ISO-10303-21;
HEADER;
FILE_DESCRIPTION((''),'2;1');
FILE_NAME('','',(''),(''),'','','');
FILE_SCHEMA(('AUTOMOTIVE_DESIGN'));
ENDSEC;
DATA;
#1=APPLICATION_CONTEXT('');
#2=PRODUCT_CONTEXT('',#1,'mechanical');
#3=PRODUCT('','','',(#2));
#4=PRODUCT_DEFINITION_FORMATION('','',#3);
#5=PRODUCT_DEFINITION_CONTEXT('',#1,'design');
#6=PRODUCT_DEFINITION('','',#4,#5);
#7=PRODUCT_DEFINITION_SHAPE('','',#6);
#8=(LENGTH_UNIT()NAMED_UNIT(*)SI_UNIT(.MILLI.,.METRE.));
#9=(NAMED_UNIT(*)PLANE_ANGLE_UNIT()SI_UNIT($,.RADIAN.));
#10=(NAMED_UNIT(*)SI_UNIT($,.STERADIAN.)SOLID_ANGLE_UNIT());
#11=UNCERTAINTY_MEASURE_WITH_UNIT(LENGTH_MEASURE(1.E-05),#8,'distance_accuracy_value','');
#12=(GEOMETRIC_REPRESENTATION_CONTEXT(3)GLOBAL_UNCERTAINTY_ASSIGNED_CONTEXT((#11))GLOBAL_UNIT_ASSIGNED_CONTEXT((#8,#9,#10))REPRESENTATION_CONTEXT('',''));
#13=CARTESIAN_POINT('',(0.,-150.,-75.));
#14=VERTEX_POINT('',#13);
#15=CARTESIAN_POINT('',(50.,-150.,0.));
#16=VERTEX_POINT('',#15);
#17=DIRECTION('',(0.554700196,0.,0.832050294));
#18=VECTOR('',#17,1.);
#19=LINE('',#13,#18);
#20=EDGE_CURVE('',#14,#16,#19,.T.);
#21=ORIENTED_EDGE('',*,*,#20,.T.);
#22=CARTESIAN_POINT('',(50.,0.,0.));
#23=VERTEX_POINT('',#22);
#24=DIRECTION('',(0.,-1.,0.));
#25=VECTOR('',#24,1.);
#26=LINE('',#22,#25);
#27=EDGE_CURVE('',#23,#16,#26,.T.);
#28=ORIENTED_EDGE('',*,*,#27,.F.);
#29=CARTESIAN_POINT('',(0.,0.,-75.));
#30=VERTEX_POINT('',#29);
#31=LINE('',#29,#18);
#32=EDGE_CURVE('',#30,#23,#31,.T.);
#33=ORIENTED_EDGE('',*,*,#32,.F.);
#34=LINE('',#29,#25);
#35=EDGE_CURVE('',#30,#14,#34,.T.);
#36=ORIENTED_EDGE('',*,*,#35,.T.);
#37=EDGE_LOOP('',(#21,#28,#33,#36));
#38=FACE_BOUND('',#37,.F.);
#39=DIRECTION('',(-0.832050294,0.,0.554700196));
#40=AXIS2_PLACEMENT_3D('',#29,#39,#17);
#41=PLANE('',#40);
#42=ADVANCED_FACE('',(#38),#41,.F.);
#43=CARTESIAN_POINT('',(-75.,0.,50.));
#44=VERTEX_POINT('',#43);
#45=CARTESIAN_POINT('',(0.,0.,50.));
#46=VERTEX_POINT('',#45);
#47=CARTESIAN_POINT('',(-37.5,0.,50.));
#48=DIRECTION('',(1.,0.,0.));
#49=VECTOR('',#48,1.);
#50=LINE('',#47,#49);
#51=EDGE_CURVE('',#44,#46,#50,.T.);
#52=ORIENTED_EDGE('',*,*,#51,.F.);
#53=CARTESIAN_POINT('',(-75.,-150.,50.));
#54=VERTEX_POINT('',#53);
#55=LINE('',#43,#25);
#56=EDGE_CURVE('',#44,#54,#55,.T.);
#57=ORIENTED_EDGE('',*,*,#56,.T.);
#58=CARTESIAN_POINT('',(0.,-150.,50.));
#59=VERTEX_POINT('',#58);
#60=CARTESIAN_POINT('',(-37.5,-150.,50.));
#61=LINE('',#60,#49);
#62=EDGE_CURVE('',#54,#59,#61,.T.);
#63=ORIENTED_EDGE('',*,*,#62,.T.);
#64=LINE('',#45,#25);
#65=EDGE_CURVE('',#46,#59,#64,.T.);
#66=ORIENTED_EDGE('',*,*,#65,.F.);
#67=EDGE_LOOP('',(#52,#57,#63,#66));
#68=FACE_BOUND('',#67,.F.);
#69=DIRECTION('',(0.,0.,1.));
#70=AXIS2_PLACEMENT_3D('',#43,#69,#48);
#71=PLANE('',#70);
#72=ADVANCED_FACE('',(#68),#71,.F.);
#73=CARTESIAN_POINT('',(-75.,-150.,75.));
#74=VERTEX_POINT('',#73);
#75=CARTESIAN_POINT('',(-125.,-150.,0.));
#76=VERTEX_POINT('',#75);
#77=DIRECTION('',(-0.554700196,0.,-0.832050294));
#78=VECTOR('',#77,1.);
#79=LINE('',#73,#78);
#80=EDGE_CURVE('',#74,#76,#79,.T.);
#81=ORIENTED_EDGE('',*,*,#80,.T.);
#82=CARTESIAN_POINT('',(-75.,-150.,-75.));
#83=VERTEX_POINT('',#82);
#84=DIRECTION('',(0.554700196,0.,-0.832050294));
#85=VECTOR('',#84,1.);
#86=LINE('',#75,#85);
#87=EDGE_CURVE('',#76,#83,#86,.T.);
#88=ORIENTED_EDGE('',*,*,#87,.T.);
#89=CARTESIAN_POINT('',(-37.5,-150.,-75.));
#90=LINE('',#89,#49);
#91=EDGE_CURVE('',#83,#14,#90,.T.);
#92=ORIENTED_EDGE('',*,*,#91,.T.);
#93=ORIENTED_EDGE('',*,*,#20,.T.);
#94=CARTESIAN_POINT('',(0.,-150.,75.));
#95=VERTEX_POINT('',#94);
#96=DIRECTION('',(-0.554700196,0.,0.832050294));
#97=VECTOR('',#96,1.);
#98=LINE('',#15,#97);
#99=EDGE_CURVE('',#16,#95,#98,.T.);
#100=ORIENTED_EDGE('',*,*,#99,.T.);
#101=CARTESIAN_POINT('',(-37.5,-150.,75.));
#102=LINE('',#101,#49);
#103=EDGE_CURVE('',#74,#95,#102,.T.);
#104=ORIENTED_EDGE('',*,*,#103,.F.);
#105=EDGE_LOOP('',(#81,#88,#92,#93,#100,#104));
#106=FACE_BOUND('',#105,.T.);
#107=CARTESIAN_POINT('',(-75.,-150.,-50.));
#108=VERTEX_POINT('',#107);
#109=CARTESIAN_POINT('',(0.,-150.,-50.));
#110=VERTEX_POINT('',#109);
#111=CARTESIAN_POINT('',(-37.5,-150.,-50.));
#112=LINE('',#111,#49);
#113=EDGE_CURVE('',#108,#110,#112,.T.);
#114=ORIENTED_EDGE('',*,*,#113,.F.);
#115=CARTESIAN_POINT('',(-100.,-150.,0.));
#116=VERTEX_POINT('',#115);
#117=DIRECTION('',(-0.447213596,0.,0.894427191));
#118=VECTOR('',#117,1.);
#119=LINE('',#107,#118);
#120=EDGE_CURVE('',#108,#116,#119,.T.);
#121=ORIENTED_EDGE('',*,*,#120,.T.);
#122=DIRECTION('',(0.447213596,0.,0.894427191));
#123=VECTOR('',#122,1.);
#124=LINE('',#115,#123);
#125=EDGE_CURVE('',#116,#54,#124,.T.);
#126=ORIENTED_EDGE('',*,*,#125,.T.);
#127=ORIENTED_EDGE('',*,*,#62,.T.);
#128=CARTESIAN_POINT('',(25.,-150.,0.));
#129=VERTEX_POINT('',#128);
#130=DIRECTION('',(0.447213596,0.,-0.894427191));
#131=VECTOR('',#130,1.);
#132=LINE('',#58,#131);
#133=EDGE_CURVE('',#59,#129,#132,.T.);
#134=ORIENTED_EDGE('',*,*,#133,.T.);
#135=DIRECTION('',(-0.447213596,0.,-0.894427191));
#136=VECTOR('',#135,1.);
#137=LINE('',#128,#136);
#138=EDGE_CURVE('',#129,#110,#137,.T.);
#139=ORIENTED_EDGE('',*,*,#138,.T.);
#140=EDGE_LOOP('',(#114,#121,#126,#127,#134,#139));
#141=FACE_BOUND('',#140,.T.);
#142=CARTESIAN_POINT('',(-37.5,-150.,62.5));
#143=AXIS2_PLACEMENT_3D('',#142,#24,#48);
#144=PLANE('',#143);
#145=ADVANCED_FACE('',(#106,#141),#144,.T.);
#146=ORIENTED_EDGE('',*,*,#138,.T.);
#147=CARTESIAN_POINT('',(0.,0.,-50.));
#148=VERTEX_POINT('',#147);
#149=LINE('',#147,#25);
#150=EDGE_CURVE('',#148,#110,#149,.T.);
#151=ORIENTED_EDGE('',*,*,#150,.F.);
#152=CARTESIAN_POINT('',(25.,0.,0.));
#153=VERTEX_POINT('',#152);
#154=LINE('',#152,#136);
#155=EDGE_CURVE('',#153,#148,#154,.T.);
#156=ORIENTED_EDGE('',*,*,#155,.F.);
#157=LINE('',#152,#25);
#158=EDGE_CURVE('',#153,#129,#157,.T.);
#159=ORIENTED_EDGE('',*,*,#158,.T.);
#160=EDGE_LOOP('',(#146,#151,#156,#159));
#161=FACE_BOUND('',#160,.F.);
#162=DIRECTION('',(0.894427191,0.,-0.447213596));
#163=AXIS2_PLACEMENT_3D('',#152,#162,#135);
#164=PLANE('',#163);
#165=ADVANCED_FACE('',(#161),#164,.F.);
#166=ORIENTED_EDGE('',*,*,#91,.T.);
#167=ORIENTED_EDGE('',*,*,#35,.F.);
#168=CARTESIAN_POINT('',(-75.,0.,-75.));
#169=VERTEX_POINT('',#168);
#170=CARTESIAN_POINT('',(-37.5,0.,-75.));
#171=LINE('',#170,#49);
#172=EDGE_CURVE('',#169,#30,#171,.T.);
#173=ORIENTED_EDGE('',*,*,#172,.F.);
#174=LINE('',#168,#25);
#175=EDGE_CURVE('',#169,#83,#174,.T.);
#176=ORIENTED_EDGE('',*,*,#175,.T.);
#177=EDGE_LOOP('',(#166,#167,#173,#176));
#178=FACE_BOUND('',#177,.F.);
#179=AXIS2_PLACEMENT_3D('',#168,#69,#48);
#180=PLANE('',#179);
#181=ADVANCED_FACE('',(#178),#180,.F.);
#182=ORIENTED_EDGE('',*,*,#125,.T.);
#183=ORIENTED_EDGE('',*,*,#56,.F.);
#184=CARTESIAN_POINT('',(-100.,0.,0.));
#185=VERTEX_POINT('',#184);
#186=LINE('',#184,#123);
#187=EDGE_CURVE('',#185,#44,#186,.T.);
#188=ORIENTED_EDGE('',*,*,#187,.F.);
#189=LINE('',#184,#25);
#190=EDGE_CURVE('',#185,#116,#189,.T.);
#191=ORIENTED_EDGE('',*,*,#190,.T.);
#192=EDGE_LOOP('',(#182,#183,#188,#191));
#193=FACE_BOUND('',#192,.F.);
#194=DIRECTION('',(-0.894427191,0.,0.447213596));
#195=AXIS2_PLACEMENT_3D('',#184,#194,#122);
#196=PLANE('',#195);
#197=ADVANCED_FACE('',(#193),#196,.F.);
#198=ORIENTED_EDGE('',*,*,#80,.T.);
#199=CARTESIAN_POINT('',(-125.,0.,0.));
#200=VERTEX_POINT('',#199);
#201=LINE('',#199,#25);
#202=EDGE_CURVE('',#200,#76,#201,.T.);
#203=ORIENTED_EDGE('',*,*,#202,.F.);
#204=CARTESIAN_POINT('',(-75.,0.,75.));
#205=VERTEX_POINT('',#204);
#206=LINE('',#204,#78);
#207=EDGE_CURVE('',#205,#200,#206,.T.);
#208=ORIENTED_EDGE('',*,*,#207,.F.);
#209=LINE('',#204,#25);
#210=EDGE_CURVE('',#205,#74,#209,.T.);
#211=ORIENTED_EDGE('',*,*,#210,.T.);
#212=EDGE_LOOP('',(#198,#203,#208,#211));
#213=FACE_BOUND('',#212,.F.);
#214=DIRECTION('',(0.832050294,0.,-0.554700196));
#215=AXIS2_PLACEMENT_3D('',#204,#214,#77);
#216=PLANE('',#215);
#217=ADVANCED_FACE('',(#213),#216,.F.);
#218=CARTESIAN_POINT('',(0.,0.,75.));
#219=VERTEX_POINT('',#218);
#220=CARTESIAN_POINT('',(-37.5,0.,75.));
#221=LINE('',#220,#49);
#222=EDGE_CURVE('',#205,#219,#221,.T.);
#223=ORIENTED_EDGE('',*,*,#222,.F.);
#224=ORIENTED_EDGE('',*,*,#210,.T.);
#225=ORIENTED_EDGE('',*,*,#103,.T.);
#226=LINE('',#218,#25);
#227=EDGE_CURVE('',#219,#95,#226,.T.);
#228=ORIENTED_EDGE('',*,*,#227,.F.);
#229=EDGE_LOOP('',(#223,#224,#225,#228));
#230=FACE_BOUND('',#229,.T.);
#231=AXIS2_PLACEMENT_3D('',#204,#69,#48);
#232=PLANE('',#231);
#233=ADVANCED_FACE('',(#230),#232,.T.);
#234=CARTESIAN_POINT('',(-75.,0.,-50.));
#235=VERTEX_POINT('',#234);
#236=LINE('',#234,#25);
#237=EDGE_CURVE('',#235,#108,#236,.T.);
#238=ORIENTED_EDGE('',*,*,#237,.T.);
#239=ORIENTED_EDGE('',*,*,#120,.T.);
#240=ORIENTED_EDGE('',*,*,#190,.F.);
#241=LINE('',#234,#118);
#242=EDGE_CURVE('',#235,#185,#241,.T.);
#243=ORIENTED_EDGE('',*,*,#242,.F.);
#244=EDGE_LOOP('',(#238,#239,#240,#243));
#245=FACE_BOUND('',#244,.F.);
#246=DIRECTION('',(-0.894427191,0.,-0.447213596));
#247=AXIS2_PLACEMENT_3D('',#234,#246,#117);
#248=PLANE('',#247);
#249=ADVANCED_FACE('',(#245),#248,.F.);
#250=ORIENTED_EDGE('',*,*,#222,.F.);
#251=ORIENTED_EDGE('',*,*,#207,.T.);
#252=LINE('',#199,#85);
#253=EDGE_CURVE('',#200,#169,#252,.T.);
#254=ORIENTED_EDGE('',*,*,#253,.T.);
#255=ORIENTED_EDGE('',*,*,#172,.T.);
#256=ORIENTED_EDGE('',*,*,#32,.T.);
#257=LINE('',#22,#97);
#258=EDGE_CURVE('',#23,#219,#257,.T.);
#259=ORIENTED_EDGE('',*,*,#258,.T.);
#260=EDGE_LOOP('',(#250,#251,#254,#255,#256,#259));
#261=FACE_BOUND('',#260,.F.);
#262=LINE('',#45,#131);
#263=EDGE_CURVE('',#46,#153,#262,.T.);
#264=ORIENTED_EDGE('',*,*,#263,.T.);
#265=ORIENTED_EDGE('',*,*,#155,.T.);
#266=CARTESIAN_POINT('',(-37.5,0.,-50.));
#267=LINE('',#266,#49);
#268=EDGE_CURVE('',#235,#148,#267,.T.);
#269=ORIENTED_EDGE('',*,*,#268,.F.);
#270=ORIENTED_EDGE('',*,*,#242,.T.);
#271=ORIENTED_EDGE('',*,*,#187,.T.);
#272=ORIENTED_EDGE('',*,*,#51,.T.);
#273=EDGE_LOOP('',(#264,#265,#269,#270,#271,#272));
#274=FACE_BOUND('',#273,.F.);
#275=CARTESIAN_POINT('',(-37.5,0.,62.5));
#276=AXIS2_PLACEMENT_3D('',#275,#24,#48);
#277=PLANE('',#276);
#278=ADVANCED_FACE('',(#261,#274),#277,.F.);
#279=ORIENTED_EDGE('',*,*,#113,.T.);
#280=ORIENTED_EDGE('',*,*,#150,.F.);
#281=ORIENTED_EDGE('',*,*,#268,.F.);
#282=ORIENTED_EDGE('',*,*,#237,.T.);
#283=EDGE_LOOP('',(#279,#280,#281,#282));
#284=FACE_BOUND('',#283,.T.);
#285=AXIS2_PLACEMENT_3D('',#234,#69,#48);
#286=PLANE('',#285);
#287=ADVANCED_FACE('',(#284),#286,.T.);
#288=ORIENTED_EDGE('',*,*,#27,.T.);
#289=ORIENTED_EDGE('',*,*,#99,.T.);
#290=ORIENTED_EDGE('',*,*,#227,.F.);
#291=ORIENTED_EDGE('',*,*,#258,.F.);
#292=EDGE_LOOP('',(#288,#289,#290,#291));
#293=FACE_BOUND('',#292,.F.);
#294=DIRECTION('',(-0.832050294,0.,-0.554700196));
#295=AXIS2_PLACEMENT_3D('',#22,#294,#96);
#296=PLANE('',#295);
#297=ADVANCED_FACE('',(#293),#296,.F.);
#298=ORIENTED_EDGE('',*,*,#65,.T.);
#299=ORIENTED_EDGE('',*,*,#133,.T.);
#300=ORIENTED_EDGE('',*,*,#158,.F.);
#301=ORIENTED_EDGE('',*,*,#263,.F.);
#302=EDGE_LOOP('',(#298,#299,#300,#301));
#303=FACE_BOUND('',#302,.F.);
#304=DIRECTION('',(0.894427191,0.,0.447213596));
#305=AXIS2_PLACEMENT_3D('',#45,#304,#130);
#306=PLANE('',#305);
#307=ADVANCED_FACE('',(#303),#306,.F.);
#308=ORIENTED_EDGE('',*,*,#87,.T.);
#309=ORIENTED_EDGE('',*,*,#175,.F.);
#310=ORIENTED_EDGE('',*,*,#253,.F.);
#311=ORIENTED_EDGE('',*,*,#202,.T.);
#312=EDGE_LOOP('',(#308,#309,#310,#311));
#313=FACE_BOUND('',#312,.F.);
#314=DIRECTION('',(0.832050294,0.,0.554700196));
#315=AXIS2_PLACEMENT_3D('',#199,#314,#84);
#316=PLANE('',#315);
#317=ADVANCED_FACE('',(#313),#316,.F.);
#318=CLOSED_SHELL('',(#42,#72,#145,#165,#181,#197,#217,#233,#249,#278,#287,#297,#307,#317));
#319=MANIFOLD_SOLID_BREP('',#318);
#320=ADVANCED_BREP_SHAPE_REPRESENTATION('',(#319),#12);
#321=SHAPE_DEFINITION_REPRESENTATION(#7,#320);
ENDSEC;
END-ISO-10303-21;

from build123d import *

# Parameters (mm, degrees)
F0_W     = 75
F0_H     = 25
F1_DEPTH = 150


with BuildPart() as f1:
    # F0 (on Front) → F1 (new body)
    with BuildSketch(Plane.XZ):
        with Locations((-37.5, 62.5)):
            Rectangle(F0_W, F0_H)
        Polygon((50, 0), (0, 75), (0, 50), (25, 0), align=None)
        Polygon((-75, 50), (-75, 75), (-125, 0), (-100, 0), align=None)
        Polygon((0, -75), (50, 0), (25, 0), (0, -50), align=None)
        Polygon((-100, 0), (-125, 0), (-75, -75), (-75, -50), align=None)
        with Locations((-37.5, -62.5)):
            Rectangle(F0_W, F0_H)
    extrude(amount=F1_DEPTH)


solid = f1.part
